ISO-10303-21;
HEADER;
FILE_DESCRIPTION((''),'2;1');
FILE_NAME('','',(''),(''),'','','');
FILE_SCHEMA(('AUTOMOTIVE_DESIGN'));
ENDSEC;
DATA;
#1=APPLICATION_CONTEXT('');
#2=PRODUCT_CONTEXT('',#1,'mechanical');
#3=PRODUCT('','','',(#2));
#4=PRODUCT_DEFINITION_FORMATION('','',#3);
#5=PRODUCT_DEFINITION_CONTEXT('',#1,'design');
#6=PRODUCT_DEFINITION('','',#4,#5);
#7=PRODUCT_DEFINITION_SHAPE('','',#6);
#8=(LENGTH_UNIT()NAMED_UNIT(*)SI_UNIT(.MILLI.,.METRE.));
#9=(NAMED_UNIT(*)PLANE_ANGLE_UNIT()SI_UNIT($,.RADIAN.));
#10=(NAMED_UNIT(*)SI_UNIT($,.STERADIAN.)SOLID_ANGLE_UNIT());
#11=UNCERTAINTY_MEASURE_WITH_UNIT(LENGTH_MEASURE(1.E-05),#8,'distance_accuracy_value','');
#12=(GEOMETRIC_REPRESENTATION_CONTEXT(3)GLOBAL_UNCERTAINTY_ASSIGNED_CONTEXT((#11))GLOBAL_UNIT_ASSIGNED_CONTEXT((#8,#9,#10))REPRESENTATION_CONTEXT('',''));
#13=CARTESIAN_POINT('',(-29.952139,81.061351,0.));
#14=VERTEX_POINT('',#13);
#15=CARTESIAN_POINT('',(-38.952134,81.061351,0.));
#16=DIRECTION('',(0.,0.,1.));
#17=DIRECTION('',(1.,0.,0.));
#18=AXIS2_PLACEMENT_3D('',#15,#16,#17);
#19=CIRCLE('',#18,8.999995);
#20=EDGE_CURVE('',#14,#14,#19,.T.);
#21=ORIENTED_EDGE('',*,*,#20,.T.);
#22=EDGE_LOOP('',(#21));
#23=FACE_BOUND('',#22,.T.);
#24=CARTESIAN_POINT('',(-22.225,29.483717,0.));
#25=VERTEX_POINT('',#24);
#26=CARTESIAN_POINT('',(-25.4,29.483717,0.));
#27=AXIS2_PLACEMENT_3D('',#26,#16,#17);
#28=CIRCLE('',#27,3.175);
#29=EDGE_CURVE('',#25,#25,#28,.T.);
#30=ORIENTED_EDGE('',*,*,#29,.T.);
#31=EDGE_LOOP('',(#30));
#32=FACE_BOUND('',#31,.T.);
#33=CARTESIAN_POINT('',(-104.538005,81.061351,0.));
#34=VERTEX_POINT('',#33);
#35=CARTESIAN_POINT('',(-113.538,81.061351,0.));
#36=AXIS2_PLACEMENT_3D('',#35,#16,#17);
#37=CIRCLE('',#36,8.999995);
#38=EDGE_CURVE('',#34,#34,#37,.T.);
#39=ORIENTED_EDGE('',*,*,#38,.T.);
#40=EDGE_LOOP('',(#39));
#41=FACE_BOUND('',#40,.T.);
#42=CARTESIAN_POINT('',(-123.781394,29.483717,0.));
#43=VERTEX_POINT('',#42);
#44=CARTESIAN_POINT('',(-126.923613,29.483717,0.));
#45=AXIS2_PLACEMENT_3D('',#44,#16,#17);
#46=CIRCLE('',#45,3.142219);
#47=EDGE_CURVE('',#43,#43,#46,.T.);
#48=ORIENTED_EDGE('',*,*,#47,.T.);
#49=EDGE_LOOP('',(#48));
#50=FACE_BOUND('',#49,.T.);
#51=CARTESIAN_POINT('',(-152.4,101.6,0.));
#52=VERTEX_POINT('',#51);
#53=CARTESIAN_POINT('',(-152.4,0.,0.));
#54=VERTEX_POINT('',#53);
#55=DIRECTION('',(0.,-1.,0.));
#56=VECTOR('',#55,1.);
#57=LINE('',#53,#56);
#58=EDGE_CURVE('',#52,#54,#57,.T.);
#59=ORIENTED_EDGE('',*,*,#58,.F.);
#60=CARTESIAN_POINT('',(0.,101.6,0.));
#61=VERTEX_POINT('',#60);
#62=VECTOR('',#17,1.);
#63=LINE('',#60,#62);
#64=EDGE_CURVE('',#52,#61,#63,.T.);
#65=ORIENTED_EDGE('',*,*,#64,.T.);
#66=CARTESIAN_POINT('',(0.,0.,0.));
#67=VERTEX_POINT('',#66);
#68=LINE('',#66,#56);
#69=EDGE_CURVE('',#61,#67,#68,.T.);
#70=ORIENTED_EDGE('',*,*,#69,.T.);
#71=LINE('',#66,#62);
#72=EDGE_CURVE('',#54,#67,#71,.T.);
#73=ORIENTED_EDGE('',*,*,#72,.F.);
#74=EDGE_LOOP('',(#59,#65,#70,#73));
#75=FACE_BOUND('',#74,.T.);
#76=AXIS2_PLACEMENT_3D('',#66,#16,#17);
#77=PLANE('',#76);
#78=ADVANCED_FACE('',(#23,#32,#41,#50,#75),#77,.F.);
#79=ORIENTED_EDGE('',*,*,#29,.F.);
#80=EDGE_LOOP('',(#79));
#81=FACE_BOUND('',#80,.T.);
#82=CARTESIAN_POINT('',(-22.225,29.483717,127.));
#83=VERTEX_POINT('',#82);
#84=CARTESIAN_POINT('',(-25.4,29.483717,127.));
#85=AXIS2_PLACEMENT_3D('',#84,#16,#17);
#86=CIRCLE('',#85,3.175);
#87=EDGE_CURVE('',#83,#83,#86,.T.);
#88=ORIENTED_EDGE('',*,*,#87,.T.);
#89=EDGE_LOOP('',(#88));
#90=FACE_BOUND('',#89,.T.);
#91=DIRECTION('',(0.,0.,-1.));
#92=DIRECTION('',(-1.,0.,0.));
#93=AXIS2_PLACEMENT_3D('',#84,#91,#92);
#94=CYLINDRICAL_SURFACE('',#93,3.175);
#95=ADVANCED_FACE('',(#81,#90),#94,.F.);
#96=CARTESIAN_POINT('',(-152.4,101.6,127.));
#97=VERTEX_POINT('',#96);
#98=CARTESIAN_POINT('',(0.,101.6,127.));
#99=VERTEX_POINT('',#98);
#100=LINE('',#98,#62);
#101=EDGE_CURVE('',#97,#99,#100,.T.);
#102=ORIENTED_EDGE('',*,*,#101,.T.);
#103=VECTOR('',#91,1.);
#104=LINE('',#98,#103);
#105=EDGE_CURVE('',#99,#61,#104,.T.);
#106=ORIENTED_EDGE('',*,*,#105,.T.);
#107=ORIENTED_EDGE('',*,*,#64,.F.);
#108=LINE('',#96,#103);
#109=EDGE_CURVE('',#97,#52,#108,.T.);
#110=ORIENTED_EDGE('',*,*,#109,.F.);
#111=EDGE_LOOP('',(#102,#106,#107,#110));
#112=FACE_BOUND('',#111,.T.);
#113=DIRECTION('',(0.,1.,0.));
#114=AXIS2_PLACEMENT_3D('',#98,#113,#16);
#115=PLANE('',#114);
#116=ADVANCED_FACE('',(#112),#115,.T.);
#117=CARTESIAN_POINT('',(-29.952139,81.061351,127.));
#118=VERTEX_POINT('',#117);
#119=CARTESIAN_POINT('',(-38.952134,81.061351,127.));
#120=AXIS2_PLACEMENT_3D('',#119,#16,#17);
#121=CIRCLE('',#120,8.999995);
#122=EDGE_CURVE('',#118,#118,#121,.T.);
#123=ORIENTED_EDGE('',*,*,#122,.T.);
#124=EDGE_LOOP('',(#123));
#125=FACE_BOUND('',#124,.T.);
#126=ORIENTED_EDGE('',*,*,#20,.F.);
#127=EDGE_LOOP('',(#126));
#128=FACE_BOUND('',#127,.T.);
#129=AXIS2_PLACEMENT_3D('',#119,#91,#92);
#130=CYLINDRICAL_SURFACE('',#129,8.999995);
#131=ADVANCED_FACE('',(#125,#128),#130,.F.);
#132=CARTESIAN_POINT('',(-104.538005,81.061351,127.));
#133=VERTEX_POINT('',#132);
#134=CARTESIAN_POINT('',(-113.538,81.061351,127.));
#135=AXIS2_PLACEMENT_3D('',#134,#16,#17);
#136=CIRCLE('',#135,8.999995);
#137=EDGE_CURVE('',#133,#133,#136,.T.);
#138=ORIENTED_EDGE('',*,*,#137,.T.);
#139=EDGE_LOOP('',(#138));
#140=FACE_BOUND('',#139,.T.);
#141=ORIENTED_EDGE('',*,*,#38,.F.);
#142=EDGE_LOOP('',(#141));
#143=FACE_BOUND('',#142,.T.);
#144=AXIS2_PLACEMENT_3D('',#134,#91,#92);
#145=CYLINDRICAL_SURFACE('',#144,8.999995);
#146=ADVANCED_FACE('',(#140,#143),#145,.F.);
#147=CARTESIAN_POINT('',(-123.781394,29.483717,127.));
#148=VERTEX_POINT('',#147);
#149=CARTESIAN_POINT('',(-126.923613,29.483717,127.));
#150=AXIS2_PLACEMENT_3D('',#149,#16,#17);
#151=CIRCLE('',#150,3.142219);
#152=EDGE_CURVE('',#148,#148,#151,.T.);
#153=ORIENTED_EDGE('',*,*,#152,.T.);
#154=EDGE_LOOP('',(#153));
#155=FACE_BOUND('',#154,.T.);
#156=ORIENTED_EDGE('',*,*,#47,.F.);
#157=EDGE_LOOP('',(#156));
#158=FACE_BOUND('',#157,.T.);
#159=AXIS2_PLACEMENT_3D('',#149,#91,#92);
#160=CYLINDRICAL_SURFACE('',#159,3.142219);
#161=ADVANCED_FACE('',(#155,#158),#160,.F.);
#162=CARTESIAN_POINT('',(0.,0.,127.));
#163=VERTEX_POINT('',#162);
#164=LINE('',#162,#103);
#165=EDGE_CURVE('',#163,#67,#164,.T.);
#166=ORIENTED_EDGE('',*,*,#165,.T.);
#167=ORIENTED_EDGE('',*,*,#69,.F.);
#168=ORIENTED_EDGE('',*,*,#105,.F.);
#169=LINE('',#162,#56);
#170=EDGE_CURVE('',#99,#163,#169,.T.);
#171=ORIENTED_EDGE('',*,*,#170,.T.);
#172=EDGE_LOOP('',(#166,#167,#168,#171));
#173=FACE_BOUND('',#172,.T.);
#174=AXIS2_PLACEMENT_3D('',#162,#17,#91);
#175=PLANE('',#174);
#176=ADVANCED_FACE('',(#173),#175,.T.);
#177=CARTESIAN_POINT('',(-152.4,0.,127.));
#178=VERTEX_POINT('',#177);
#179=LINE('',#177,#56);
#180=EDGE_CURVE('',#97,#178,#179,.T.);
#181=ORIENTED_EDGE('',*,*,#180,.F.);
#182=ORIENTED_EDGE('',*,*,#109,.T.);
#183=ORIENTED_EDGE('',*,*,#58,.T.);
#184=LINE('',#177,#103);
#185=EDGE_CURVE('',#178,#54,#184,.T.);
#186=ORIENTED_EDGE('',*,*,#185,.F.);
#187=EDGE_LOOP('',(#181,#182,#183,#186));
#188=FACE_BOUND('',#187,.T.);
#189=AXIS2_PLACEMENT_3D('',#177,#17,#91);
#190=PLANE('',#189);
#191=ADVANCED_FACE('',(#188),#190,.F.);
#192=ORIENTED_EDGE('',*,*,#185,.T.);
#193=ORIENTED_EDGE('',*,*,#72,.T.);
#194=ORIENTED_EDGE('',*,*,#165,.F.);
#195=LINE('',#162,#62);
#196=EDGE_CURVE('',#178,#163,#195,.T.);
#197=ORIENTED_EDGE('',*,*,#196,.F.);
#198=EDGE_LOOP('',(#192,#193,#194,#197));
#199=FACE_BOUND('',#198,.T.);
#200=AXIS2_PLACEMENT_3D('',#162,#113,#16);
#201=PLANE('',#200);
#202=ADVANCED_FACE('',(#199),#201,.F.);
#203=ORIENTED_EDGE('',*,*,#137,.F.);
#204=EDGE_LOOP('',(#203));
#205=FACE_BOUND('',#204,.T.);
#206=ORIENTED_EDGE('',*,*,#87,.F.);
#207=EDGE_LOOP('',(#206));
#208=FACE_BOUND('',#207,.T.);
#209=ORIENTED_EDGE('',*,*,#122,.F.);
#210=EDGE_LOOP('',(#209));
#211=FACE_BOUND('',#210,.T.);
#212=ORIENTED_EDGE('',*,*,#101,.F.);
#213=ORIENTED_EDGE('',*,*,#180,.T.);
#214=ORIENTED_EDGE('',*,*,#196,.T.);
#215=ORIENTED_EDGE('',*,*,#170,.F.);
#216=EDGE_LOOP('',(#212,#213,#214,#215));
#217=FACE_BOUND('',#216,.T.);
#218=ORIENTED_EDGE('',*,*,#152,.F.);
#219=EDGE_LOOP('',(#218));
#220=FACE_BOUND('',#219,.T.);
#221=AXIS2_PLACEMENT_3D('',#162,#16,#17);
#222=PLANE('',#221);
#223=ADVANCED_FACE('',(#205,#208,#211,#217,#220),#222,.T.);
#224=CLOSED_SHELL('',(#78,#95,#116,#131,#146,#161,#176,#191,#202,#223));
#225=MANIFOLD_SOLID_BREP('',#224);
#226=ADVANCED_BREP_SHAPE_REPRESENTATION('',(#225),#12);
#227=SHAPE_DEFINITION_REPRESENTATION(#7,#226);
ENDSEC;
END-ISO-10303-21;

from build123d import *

# Parameters (mm, degrees)
SKETCH2_W           = 152.4
SKETCH2_H           = 101.6
SKETCH2_R           = 8.9999947
SKETCH2_R_2         = 3.175
SKETCH2_R_3         = 3.142219065
BOSS_EXTRUDE1_DEPTH = 127


with BuildPart() as part:
    # Sketch2 → Boss-Extrude1 (new body)
    with BuildSketch(Plane.XY):
        with Locations((-76.2, 50.8)):
            Rectangle(SKETCH2_W, SKETCH2_H)
        with Locations((-113.538, 81.061351085)):
            Circle(SKETCH2_R, mode=Mode.SUBTRACT)
        with Locations((-38.952133661, 81.061351085)):
            Circle(SKETCH2_R, mode=Mode.SUBTRACT)
        with Locations((-25.4, 29.483717051)):
            Circle(SKETCH2_R_2, mode=Mode.SUBTRACT)
        with Locations((-126.923613039, 29.483717051)):
            Circle(SKETCH2_R_3, mode=Mode.SUBTRACT)
    extrude(amount=BOSS_EXTRUDE1_DEPTH)


solid = part.part
